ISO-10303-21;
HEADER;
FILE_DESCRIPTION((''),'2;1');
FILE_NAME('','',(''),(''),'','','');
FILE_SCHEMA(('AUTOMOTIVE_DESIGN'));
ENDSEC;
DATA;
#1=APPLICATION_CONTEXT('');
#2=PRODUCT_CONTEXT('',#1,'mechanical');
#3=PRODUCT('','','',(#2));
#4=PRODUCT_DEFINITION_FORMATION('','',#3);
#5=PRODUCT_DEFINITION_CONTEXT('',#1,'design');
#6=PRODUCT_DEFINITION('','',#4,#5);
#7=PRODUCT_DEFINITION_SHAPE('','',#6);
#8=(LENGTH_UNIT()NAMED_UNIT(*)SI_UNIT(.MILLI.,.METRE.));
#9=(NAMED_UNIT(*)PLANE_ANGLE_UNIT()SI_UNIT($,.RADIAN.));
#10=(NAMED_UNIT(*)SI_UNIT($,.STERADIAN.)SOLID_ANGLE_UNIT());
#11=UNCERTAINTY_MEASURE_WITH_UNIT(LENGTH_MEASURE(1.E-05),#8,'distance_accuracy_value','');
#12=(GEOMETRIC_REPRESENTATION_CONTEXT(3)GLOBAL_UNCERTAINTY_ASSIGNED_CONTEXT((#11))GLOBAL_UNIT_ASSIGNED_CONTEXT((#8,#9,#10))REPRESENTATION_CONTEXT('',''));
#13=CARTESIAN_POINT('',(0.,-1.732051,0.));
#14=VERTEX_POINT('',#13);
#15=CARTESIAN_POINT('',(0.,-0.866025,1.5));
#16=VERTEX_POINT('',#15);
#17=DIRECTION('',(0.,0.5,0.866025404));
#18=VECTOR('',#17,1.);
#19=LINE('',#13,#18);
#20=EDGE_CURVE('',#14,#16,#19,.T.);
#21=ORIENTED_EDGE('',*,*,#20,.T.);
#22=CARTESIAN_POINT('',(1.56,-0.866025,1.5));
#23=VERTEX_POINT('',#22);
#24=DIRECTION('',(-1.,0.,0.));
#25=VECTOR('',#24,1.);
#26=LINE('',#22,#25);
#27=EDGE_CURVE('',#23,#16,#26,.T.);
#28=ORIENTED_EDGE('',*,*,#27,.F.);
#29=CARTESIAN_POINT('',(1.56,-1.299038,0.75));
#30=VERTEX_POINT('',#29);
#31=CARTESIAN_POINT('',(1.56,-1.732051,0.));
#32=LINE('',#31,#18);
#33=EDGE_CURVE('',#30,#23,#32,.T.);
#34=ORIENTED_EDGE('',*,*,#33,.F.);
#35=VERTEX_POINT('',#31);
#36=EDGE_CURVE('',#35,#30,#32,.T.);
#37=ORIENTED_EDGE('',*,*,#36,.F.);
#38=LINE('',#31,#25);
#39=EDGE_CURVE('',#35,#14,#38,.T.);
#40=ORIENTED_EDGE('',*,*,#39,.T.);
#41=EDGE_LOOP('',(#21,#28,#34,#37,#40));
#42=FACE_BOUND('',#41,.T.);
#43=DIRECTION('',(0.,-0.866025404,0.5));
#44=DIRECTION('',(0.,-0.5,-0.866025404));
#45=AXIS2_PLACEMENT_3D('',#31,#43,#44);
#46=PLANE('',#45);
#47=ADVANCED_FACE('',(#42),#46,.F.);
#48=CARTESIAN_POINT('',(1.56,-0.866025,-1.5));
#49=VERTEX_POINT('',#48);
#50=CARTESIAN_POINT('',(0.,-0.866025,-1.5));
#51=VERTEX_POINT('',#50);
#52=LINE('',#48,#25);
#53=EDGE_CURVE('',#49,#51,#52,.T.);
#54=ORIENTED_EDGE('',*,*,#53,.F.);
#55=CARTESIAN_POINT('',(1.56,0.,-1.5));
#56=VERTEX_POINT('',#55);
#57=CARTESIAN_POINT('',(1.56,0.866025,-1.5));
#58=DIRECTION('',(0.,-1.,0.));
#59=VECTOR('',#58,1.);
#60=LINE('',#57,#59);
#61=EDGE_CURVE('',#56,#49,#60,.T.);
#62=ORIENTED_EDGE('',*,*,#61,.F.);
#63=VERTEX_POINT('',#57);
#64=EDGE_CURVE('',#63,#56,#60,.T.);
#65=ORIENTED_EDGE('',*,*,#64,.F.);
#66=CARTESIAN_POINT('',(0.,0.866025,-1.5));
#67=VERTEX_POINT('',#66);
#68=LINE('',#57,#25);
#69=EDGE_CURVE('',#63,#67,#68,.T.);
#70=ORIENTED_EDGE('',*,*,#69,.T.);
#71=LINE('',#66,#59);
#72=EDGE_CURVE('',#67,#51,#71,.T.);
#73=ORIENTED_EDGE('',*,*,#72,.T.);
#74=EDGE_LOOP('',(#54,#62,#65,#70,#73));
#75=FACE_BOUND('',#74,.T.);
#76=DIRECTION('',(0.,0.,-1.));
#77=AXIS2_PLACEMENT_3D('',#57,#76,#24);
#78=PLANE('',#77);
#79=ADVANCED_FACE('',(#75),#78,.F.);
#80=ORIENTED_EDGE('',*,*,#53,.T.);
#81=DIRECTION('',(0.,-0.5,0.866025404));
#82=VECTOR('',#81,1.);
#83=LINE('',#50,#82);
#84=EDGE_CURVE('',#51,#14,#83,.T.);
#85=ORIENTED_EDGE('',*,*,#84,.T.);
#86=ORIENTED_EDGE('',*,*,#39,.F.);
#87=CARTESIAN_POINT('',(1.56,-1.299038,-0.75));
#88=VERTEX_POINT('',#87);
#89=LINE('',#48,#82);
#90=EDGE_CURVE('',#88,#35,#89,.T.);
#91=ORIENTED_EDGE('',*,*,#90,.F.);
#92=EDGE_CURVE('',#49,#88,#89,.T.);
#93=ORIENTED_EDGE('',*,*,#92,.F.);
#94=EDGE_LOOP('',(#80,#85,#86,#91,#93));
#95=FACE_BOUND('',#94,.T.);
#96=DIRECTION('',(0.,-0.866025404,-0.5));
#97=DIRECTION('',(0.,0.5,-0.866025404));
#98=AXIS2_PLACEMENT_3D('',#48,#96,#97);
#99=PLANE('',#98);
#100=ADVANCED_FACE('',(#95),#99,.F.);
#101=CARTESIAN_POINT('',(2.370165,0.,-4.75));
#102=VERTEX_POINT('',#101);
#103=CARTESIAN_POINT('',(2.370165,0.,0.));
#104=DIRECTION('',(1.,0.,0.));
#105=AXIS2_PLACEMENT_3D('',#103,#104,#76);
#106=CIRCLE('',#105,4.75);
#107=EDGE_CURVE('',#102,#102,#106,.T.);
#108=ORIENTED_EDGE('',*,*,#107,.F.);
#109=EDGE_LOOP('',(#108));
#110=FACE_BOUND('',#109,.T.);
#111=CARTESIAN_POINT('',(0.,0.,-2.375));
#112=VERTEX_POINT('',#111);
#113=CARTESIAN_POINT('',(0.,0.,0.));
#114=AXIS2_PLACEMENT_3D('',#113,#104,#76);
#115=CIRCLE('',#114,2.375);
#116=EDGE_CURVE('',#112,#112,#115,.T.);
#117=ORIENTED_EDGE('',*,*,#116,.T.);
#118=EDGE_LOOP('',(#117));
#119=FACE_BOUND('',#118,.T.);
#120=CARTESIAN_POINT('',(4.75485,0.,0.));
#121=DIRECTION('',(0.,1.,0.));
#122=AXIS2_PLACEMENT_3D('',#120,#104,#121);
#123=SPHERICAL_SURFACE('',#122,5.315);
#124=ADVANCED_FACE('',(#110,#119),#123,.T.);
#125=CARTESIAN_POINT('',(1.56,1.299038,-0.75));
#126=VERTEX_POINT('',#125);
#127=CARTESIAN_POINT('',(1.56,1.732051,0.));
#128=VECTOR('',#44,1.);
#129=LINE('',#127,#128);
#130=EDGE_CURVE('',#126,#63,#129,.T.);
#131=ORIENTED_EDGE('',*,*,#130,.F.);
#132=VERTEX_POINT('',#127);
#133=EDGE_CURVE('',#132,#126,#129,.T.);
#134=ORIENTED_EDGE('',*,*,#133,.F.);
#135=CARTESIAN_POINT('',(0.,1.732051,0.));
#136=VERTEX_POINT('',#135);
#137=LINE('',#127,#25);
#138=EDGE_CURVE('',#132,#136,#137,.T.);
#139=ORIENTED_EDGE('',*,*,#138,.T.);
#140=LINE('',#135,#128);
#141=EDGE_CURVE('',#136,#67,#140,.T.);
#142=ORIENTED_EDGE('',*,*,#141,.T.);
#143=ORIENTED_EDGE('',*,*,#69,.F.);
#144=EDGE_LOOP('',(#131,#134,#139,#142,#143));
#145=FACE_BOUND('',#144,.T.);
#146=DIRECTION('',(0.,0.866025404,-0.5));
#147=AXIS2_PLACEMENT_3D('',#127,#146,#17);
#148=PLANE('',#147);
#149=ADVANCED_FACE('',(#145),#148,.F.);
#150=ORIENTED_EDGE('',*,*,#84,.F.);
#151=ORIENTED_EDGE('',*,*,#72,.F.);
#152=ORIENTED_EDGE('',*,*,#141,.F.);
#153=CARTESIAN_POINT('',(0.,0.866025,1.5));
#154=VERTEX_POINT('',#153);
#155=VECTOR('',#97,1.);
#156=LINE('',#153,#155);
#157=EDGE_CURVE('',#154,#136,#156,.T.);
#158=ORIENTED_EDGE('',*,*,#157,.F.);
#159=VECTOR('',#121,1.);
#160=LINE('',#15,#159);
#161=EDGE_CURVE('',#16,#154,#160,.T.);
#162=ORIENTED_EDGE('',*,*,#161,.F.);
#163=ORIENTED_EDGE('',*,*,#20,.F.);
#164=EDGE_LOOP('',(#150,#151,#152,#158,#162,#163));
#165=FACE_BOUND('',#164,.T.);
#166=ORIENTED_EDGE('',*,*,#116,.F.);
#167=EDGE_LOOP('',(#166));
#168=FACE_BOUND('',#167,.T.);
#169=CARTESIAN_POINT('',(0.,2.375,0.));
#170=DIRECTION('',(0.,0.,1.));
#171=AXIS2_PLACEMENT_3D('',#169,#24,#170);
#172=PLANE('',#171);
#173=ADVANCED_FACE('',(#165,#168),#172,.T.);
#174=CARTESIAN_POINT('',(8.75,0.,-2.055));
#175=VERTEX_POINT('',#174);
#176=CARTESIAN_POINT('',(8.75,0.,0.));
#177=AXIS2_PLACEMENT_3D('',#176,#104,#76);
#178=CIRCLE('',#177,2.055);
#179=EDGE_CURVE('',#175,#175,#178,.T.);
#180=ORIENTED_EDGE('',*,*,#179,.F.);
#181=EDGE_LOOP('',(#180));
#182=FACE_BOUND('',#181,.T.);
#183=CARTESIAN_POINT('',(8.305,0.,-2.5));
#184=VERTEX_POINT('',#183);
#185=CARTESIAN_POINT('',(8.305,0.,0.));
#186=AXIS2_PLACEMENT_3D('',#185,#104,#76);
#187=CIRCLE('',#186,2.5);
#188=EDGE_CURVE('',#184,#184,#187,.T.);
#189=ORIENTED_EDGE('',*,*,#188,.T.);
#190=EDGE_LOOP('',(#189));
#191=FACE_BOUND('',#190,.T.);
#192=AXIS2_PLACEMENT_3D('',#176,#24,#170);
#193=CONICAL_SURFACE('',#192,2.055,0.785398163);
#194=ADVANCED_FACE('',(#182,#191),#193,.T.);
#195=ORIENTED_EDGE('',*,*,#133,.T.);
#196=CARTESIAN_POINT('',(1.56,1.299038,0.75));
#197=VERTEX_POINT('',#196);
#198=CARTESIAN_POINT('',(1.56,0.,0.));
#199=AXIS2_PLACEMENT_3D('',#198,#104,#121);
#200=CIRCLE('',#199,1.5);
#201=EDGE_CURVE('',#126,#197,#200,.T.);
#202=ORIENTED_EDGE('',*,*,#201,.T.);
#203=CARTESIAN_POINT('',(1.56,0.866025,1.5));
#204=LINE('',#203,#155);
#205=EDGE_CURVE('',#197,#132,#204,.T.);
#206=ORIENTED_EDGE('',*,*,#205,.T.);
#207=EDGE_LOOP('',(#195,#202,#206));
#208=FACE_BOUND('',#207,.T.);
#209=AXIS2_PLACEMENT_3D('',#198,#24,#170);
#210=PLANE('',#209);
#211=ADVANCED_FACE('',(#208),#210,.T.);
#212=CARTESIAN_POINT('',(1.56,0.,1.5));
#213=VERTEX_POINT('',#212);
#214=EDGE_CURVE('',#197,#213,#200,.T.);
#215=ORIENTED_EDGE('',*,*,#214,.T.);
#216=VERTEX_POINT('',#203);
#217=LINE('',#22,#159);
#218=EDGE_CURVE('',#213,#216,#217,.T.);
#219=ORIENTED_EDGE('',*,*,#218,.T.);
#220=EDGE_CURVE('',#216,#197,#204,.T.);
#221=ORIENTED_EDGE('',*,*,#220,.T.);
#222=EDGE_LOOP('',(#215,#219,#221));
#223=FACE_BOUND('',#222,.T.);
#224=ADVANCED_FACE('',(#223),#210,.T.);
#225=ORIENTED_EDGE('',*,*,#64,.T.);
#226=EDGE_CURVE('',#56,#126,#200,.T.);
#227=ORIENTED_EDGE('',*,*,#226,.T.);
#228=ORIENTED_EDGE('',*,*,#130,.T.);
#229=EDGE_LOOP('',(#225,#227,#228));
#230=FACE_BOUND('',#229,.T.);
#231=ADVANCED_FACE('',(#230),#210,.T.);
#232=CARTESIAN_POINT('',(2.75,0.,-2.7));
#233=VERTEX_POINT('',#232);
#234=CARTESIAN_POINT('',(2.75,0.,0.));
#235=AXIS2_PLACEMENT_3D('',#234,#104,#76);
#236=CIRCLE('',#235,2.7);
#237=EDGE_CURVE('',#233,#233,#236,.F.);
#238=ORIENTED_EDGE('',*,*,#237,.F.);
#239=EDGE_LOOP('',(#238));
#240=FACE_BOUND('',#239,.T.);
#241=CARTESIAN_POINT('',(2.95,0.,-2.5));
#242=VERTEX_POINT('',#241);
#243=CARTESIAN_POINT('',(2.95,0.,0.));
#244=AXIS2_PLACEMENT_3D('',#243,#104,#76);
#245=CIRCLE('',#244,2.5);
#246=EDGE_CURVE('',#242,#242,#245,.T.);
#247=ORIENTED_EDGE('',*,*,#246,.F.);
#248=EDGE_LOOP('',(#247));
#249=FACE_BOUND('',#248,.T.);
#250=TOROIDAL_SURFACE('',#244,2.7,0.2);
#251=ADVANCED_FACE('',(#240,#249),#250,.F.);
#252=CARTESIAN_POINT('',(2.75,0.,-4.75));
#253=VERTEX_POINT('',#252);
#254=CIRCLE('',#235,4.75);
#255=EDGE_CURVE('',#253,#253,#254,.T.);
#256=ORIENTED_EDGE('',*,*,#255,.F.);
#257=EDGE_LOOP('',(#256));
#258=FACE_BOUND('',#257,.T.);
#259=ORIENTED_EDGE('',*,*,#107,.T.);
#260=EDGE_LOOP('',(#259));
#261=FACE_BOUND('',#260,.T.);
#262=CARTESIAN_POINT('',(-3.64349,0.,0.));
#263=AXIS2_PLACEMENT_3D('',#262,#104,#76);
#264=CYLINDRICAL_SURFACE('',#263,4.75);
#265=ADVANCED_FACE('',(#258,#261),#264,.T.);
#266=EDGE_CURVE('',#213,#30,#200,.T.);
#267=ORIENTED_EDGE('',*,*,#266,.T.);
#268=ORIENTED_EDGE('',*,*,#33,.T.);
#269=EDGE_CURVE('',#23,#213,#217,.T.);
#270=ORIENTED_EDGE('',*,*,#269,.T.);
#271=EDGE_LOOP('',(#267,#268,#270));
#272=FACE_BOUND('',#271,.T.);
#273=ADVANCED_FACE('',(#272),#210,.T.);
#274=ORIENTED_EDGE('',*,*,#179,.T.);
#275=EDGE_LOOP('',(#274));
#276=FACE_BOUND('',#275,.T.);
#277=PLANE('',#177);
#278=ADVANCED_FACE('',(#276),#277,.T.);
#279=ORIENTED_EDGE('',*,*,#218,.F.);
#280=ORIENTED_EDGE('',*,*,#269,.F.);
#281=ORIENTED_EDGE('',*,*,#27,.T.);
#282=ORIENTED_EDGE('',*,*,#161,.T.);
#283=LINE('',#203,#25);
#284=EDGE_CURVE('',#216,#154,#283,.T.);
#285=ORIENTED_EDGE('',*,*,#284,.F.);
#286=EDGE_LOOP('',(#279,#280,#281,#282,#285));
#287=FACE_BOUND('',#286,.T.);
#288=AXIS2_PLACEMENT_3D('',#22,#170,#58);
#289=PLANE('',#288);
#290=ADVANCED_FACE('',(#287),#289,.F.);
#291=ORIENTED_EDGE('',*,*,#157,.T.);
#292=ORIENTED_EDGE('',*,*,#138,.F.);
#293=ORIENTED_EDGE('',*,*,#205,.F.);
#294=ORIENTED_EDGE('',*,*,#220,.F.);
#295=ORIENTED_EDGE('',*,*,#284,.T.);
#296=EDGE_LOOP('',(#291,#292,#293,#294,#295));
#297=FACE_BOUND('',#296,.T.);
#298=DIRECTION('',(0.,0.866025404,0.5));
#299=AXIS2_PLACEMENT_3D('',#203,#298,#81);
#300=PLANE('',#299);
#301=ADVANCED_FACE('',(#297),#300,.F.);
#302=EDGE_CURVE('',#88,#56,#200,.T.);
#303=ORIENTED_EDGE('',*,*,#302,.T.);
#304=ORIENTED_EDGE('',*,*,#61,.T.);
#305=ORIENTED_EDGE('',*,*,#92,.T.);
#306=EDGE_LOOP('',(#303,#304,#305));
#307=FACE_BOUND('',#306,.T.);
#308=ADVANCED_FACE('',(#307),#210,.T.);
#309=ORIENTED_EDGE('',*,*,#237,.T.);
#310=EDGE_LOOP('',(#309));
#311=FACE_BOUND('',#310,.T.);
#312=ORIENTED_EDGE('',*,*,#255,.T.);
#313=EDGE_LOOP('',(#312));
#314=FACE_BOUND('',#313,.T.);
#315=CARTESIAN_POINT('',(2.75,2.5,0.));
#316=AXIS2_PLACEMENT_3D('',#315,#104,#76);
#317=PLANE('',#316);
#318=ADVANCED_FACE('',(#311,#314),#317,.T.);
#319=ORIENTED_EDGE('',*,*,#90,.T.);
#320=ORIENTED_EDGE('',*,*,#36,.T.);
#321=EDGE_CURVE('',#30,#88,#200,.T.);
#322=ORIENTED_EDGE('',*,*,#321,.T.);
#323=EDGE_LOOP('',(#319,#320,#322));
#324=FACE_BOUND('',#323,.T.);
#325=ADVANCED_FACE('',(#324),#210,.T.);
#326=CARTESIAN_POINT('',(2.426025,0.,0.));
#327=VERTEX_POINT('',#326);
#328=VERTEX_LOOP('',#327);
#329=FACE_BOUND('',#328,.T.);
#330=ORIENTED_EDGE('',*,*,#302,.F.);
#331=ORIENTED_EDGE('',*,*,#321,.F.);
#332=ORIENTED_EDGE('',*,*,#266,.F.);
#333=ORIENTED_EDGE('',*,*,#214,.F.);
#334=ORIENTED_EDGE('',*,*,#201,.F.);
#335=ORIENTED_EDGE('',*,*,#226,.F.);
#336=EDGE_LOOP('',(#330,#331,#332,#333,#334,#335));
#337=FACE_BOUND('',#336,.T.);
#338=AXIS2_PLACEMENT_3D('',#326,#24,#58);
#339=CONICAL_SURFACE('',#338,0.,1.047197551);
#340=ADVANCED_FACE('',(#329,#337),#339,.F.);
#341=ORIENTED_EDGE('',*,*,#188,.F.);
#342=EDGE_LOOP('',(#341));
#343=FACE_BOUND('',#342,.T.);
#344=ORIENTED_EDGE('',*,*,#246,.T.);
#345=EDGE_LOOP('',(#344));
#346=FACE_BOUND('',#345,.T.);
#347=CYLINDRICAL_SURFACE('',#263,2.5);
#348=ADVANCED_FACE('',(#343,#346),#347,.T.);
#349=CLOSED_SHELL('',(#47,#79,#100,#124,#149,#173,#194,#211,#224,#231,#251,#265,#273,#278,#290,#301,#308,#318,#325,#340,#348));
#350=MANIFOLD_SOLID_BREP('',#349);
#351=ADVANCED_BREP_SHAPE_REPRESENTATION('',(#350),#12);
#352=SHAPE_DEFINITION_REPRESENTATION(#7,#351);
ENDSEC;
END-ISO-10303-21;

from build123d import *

# Parameters (mm, degrees)
FILLET_1_R  = 0.2
HEX_2_DEPTH = 1.56


with BuildPart() as part:
    # Эскиз1 → Body (revolve)
    with BuildSketch(Plane.XY):
        with BuildLine():
            Line((0, 2.375), (0, 0))
            Line((0, 0), (8.75, 0))
            Line((8.75, 0), (8.75, 2.055))
            Line((8.75, 2.055), (8.305, 2.5))
            Line((8.305, 2.5), (2.75, 2.5))
            Line((2.75, 2.5), (2.75, 4.75))
            Line((2.75, 4.75), (2.370164642, 4.75))
            ThreePointArc((2.370164642, 4.75), (0.992749859, 3.754440885), (0, 2.375))
        make_face()
    revolve(axis=Axis((-3.643489966, 0, 0), (-1, 0, 0)))

    # Скругление1
    fillet_1_edges = [part.edges().sort_by_distance(p)[0] for p in [
        (2.75, -2.5, 0),
    ]]
    fillet(fillet_1_edges, radius=FILLET_1_R)

    # Эскиз2 → Вырез-Повернуть1 (revolve, cut)
    with BuildSketch(Plane.XY):
        Polygon((0, 0), (0, 1.5), (1.56, 1.5), (2.426025404, 0), align=None)
    revolve(axis=Axis((2.426025404, 0, 0), (-1, 0, 0)), mode=Mode.SUBTRACT)

    # Эскиз3 → Hex 2 (cut)
    with BuildSketch(Plane.ZY):
        Polygon((-1.5, -0.866025404), (0, -1.732050808), (1.5, -0.866025404), (1.5, 0.866025404), (0, 1.732050808), (-1.5, 0.866025404), align=None)
    extrude(amount=-HEX_2_DEPTH, mode=Mode.SUBTRACT)


solid = part.part
